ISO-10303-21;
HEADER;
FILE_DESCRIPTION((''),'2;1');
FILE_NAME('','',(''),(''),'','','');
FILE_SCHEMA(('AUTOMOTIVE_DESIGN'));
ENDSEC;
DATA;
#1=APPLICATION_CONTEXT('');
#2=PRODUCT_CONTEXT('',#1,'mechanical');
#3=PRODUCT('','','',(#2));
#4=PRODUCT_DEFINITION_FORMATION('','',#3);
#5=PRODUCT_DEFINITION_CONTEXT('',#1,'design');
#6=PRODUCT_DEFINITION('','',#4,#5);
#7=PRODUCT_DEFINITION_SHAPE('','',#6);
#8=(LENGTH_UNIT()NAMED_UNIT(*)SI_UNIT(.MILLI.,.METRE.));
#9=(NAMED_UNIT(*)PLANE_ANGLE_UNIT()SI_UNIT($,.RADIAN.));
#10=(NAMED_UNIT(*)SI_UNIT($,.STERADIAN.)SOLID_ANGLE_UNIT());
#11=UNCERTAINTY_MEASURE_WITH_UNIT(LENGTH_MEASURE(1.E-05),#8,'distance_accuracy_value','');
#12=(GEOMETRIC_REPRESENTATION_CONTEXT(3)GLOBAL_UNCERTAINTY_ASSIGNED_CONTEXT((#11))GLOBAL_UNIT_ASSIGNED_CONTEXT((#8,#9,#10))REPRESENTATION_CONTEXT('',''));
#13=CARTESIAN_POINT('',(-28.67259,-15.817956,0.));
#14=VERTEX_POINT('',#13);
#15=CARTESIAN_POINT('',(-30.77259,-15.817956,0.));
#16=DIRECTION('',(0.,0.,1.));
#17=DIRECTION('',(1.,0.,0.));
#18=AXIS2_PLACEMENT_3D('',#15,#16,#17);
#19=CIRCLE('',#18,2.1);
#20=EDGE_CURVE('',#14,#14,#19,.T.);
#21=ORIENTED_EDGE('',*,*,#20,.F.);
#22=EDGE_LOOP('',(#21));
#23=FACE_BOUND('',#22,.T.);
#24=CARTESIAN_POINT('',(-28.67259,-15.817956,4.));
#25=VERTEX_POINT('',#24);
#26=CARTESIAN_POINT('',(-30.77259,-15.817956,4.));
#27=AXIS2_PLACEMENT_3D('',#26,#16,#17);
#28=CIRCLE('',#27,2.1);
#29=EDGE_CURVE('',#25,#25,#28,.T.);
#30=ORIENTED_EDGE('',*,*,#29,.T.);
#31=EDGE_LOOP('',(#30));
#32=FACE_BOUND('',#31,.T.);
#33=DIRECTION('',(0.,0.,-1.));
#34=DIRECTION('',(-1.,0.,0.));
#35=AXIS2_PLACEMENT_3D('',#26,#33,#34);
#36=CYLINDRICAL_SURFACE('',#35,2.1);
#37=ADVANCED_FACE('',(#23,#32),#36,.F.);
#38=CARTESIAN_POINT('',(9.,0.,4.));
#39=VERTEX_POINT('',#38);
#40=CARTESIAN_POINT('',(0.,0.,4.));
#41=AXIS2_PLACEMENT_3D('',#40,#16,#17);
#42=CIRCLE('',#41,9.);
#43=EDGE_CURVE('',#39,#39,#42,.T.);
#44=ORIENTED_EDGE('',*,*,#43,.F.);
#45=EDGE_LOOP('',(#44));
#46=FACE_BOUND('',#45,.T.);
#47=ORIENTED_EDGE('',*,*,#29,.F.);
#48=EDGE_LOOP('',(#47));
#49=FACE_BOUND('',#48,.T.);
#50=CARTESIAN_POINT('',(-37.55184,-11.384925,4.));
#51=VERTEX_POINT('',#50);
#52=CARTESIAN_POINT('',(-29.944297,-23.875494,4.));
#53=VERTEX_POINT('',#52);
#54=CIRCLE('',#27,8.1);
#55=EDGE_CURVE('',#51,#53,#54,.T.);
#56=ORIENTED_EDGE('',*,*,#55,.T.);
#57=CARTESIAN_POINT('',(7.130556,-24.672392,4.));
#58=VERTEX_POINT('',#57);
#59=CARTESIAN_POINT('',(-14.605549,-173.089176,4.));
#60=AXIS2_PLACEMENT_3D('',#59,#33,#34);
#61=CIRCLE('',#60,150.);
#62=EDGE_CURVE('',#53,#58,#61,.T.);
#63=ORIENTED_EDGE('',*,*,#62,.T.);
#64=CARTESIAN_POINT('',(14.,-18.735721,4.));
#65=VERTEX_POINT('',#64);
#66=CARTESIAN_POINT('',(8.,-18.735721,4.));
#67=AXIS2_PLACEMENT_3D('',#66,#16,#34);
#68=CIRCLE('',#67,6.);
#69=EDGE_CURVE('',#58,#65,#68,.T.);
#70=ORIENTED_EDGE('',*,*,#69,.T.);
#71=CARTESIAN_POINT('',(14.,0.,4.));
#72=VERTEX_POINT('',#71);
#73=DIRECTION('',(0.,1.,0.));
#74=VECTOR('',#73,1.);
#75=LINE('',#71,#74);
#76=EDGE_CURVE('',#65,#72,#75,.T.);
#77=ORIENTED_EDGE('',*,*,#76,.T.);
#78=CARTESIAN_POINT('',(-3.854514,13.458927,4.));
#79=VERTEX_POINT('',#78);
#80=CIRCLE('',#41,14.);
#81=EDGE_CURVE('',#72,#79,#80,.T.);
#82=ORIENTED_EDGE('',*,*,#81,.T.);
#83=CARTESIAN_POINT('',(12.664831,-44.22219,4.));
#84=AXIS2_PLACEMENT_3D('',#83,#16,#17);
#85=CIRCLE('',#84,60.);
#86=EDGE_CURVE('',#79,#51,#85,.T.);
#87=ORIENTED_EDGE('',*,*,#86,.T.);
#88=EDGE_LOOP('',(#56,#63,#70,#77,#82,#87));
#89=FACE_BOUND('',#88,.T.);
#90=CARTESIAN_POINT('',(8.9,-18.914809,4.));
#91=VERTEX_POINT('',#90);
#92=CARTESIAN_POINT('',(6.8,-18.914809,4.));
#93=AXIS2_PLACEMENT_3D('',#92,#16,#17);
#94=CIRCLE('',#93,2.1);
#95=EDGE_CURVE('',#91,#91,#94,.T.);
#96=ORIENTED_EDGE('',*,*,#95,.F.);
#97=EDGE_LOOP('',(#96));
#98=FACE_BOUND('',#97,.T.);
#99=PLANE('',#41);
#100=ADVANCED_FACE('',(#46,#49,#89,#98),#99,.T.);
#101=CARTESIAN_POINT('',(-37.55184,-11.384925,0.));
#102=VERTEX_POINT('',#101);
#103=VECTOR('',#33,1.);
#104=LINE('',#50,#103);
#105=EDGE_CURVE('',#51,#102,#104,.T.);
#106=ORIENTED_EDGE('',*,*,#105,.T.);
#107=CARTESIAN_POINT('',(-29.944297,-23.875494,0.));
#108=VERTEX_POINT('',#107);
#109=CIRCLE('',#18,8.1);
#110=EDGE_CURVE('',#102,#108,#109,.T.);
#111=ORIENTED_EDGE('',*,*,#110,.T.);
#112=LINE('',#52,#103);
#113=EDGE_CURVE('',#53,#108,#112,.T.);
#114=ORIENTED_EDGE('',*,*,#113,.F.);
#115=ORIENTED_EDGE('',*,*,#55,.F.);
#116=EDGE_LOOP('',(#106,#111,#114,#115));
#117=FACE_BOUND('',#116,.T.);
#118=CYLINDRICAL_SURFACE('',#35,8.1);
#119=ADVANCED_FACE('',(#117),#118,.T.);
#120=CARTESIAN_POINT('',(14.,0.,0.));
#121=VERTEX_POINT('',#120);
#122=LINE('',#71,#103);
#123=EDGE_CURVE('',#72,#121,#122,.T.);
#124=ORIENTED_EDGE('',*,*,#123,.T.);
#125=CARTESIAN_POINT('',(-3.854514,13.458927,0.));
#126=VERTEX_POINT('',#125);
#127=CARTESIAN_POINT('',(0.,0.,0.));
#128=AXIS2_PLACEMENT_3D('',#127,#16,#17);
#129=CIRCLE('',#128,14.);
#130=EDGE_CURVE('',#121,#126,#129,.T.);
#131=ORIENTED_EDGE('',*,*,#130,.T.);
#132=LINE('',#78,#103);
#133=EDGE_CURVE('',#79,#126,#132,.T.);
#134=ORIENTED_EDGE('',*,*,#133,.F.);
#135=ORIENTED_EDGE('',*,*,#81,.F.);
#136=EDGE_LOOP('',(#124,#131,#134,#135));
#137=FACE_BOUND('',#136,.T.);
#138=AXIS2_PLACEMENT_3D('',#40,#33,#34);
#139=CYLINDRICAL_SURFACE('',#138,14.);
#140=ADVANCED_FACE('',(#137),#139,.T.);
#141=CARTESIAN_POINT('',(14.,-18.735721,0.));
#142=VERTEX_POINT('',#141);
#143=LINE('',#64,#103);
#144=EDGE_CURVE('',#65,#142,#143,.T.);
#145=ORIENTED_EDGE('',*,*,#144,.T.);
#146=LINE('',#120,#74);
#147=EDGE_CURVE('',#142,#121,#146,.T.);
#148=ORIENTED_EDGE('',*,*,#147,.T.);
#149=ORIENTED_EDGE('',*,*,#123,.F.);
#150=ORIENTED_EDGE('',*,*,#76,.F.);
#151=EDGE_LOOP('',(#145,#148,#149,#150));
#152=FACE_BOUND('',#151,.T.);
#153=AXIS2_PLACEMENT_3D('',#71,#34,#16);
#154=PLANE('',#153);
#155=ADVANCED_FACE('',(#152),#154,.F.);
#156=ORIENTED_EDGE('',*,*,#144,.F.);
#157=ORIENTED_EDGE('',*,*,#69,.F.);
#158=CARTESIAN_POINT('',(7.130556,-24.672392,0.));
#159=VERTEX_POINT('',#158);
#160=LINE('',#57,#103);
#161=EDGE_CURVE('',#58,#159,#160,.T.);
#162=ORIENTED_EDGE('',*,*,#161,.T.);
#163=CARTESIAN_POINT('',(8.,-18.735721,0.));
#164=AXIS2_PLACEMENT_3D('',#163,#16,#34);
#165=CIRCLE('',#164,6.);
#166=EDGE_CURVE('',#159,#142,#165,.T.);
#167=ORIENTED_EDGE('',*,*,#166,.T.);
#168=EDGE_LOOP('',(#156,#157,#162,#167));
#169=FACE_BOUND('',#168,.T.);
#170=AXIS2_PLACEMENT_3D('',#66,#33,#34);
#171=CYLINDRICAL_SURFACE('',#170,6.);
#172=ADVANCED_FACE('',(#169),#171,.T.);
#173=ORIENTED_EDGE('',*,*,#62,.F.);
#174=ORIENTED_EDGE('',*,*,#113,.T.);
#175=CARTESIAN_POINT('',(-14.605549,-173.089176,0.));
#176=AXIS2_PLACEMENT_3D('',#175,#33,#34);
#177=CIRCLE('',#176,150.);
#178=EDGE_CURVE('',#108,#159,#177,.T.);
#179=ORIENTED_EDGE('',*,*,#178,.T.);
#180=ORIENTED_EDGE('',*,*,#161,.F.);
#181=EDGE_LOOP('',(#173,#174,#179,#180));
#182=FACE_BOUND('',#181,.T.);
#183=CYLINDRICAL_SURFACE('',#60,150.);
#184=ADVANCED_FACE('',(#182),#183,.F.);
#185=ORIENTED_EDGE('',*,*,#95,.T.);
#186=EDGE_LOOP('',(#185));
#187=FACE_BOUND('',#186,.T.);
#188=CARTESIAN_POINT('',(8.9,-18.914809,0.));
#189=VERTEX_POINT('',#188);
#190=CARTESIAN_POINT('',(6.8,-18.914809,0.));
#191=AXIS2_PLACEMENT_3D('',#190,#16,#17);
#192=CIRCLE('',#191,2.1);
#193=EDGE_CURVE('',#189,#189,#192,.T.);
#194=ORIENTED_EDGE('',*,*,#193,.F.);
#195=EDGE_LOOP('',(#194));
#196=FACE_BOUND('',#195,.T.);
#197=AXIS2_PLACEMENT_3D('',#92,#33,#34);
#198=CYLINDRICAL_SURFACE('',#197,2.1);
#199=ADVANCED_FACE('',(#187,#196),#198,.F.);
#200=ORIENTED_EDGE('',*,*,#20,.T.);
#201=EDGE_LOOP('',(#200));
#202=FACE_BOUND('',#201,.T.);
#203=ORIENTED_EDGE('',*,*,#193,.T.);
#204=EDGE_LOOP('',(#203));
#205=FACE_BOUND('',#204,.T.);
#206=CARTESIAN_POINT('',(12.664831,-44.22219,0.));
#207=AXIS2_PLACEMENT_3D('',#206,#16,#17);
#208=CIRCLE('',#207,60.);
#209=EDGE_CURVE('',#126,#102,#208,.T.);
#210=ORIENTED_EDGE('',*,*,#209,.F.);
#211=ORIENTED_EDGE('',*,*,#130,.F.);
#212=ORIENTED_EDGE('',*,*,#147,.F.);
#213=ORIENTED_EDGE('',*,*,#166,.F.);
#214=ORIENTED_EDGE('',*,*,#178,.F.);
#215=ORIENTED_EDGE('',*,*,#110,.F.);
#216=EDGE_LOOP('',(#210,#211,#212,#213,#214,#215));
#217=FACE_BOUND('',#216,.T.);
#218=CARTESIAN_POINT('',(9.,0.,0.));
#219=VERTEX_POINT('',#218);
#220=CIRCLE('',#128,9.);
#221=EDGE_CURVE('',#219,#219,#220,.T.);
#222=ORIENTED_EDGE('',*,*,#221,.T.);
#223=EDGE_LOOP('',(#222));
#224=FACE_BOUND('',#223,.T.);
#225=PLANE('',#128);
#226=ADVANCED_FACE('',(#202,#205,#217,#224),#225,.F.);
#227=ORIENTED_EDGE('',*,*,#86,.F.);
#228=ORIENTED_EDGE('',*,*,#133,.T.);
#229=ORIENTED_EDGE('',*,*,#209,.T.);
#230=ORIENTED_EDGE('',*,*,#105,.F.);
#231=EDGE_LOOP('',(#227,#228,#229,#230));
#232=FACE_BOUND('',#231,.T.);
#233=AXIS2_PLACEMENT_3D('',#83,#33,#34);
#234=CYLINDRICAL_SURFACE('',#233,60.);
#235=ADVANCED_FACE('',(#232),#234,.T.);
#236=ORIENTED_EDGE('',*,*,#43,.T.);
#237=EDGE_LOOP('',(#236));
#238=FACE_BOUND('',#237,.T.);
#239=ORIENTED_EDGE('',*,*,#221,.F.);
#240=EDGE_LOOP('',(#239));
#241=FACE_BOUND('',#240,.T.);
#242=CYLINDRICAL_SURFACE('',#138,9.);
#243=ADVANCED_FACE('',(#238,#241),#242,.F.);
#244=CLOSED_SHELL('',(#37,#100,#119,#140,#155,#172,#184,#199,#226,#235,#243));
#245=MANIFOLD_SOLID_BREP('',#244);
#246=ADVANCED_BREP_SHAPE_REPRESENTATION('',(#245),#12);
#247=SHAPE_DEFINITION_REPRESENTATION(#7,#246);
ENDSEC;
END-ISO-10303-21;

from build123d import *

# Parameters (mm, degrees)
ESQUISSE1_R        = 9
ESQUISSE1_R_2      = 2.1
BOSS_EXTRU_1_DEPTH = 4


with BuildPart() as part:
    # Esquisse1 → Boss.-Extru.1 (new body)
    with BuildSketch(Plane.XY):
        with BuildLine():
            Line((14, 0), (14, -18.735720858))
            ThreePointArc((14, -18.735720858), (11.923221563, -23.275360995), (7.13055581, -24.672392215))
            ThreePointArc((7.13055581, -24.672392215), (-11.382149549, -23.123814483), (-29.944297321, -23.875494465))
            ThreePointArc((-29.944297321, -23.875494465), (-37.690469305, -20.031379706), (-37.551840307, -11.384924901))
            ThreePointArc((-37.551840307, -11.384924901), (-22.940340069, 4.071410465), (-3.854513663, 13.458927313))
            ThreePointArc((-3.854513663, 13.458927313), (8.4272418, 11.179516789), (14, 0))
        make_face()
        Circle(ESQUISSE1_R, mode=Mode.SUBTRACT)
        with Locations((6.8, -18.914809013)):
            Circle(ESQUISSE1_R_2, mode=Mode.SUBTRACT)
        with Locations((-30.772589733, -15.817955655)):
            Circle(ESQUISSE1_R_2, mode=Mode.SUBTRACT)
    extrude(amount=BOSS_EXTRU_1_DEPTH)


solid = part.part
